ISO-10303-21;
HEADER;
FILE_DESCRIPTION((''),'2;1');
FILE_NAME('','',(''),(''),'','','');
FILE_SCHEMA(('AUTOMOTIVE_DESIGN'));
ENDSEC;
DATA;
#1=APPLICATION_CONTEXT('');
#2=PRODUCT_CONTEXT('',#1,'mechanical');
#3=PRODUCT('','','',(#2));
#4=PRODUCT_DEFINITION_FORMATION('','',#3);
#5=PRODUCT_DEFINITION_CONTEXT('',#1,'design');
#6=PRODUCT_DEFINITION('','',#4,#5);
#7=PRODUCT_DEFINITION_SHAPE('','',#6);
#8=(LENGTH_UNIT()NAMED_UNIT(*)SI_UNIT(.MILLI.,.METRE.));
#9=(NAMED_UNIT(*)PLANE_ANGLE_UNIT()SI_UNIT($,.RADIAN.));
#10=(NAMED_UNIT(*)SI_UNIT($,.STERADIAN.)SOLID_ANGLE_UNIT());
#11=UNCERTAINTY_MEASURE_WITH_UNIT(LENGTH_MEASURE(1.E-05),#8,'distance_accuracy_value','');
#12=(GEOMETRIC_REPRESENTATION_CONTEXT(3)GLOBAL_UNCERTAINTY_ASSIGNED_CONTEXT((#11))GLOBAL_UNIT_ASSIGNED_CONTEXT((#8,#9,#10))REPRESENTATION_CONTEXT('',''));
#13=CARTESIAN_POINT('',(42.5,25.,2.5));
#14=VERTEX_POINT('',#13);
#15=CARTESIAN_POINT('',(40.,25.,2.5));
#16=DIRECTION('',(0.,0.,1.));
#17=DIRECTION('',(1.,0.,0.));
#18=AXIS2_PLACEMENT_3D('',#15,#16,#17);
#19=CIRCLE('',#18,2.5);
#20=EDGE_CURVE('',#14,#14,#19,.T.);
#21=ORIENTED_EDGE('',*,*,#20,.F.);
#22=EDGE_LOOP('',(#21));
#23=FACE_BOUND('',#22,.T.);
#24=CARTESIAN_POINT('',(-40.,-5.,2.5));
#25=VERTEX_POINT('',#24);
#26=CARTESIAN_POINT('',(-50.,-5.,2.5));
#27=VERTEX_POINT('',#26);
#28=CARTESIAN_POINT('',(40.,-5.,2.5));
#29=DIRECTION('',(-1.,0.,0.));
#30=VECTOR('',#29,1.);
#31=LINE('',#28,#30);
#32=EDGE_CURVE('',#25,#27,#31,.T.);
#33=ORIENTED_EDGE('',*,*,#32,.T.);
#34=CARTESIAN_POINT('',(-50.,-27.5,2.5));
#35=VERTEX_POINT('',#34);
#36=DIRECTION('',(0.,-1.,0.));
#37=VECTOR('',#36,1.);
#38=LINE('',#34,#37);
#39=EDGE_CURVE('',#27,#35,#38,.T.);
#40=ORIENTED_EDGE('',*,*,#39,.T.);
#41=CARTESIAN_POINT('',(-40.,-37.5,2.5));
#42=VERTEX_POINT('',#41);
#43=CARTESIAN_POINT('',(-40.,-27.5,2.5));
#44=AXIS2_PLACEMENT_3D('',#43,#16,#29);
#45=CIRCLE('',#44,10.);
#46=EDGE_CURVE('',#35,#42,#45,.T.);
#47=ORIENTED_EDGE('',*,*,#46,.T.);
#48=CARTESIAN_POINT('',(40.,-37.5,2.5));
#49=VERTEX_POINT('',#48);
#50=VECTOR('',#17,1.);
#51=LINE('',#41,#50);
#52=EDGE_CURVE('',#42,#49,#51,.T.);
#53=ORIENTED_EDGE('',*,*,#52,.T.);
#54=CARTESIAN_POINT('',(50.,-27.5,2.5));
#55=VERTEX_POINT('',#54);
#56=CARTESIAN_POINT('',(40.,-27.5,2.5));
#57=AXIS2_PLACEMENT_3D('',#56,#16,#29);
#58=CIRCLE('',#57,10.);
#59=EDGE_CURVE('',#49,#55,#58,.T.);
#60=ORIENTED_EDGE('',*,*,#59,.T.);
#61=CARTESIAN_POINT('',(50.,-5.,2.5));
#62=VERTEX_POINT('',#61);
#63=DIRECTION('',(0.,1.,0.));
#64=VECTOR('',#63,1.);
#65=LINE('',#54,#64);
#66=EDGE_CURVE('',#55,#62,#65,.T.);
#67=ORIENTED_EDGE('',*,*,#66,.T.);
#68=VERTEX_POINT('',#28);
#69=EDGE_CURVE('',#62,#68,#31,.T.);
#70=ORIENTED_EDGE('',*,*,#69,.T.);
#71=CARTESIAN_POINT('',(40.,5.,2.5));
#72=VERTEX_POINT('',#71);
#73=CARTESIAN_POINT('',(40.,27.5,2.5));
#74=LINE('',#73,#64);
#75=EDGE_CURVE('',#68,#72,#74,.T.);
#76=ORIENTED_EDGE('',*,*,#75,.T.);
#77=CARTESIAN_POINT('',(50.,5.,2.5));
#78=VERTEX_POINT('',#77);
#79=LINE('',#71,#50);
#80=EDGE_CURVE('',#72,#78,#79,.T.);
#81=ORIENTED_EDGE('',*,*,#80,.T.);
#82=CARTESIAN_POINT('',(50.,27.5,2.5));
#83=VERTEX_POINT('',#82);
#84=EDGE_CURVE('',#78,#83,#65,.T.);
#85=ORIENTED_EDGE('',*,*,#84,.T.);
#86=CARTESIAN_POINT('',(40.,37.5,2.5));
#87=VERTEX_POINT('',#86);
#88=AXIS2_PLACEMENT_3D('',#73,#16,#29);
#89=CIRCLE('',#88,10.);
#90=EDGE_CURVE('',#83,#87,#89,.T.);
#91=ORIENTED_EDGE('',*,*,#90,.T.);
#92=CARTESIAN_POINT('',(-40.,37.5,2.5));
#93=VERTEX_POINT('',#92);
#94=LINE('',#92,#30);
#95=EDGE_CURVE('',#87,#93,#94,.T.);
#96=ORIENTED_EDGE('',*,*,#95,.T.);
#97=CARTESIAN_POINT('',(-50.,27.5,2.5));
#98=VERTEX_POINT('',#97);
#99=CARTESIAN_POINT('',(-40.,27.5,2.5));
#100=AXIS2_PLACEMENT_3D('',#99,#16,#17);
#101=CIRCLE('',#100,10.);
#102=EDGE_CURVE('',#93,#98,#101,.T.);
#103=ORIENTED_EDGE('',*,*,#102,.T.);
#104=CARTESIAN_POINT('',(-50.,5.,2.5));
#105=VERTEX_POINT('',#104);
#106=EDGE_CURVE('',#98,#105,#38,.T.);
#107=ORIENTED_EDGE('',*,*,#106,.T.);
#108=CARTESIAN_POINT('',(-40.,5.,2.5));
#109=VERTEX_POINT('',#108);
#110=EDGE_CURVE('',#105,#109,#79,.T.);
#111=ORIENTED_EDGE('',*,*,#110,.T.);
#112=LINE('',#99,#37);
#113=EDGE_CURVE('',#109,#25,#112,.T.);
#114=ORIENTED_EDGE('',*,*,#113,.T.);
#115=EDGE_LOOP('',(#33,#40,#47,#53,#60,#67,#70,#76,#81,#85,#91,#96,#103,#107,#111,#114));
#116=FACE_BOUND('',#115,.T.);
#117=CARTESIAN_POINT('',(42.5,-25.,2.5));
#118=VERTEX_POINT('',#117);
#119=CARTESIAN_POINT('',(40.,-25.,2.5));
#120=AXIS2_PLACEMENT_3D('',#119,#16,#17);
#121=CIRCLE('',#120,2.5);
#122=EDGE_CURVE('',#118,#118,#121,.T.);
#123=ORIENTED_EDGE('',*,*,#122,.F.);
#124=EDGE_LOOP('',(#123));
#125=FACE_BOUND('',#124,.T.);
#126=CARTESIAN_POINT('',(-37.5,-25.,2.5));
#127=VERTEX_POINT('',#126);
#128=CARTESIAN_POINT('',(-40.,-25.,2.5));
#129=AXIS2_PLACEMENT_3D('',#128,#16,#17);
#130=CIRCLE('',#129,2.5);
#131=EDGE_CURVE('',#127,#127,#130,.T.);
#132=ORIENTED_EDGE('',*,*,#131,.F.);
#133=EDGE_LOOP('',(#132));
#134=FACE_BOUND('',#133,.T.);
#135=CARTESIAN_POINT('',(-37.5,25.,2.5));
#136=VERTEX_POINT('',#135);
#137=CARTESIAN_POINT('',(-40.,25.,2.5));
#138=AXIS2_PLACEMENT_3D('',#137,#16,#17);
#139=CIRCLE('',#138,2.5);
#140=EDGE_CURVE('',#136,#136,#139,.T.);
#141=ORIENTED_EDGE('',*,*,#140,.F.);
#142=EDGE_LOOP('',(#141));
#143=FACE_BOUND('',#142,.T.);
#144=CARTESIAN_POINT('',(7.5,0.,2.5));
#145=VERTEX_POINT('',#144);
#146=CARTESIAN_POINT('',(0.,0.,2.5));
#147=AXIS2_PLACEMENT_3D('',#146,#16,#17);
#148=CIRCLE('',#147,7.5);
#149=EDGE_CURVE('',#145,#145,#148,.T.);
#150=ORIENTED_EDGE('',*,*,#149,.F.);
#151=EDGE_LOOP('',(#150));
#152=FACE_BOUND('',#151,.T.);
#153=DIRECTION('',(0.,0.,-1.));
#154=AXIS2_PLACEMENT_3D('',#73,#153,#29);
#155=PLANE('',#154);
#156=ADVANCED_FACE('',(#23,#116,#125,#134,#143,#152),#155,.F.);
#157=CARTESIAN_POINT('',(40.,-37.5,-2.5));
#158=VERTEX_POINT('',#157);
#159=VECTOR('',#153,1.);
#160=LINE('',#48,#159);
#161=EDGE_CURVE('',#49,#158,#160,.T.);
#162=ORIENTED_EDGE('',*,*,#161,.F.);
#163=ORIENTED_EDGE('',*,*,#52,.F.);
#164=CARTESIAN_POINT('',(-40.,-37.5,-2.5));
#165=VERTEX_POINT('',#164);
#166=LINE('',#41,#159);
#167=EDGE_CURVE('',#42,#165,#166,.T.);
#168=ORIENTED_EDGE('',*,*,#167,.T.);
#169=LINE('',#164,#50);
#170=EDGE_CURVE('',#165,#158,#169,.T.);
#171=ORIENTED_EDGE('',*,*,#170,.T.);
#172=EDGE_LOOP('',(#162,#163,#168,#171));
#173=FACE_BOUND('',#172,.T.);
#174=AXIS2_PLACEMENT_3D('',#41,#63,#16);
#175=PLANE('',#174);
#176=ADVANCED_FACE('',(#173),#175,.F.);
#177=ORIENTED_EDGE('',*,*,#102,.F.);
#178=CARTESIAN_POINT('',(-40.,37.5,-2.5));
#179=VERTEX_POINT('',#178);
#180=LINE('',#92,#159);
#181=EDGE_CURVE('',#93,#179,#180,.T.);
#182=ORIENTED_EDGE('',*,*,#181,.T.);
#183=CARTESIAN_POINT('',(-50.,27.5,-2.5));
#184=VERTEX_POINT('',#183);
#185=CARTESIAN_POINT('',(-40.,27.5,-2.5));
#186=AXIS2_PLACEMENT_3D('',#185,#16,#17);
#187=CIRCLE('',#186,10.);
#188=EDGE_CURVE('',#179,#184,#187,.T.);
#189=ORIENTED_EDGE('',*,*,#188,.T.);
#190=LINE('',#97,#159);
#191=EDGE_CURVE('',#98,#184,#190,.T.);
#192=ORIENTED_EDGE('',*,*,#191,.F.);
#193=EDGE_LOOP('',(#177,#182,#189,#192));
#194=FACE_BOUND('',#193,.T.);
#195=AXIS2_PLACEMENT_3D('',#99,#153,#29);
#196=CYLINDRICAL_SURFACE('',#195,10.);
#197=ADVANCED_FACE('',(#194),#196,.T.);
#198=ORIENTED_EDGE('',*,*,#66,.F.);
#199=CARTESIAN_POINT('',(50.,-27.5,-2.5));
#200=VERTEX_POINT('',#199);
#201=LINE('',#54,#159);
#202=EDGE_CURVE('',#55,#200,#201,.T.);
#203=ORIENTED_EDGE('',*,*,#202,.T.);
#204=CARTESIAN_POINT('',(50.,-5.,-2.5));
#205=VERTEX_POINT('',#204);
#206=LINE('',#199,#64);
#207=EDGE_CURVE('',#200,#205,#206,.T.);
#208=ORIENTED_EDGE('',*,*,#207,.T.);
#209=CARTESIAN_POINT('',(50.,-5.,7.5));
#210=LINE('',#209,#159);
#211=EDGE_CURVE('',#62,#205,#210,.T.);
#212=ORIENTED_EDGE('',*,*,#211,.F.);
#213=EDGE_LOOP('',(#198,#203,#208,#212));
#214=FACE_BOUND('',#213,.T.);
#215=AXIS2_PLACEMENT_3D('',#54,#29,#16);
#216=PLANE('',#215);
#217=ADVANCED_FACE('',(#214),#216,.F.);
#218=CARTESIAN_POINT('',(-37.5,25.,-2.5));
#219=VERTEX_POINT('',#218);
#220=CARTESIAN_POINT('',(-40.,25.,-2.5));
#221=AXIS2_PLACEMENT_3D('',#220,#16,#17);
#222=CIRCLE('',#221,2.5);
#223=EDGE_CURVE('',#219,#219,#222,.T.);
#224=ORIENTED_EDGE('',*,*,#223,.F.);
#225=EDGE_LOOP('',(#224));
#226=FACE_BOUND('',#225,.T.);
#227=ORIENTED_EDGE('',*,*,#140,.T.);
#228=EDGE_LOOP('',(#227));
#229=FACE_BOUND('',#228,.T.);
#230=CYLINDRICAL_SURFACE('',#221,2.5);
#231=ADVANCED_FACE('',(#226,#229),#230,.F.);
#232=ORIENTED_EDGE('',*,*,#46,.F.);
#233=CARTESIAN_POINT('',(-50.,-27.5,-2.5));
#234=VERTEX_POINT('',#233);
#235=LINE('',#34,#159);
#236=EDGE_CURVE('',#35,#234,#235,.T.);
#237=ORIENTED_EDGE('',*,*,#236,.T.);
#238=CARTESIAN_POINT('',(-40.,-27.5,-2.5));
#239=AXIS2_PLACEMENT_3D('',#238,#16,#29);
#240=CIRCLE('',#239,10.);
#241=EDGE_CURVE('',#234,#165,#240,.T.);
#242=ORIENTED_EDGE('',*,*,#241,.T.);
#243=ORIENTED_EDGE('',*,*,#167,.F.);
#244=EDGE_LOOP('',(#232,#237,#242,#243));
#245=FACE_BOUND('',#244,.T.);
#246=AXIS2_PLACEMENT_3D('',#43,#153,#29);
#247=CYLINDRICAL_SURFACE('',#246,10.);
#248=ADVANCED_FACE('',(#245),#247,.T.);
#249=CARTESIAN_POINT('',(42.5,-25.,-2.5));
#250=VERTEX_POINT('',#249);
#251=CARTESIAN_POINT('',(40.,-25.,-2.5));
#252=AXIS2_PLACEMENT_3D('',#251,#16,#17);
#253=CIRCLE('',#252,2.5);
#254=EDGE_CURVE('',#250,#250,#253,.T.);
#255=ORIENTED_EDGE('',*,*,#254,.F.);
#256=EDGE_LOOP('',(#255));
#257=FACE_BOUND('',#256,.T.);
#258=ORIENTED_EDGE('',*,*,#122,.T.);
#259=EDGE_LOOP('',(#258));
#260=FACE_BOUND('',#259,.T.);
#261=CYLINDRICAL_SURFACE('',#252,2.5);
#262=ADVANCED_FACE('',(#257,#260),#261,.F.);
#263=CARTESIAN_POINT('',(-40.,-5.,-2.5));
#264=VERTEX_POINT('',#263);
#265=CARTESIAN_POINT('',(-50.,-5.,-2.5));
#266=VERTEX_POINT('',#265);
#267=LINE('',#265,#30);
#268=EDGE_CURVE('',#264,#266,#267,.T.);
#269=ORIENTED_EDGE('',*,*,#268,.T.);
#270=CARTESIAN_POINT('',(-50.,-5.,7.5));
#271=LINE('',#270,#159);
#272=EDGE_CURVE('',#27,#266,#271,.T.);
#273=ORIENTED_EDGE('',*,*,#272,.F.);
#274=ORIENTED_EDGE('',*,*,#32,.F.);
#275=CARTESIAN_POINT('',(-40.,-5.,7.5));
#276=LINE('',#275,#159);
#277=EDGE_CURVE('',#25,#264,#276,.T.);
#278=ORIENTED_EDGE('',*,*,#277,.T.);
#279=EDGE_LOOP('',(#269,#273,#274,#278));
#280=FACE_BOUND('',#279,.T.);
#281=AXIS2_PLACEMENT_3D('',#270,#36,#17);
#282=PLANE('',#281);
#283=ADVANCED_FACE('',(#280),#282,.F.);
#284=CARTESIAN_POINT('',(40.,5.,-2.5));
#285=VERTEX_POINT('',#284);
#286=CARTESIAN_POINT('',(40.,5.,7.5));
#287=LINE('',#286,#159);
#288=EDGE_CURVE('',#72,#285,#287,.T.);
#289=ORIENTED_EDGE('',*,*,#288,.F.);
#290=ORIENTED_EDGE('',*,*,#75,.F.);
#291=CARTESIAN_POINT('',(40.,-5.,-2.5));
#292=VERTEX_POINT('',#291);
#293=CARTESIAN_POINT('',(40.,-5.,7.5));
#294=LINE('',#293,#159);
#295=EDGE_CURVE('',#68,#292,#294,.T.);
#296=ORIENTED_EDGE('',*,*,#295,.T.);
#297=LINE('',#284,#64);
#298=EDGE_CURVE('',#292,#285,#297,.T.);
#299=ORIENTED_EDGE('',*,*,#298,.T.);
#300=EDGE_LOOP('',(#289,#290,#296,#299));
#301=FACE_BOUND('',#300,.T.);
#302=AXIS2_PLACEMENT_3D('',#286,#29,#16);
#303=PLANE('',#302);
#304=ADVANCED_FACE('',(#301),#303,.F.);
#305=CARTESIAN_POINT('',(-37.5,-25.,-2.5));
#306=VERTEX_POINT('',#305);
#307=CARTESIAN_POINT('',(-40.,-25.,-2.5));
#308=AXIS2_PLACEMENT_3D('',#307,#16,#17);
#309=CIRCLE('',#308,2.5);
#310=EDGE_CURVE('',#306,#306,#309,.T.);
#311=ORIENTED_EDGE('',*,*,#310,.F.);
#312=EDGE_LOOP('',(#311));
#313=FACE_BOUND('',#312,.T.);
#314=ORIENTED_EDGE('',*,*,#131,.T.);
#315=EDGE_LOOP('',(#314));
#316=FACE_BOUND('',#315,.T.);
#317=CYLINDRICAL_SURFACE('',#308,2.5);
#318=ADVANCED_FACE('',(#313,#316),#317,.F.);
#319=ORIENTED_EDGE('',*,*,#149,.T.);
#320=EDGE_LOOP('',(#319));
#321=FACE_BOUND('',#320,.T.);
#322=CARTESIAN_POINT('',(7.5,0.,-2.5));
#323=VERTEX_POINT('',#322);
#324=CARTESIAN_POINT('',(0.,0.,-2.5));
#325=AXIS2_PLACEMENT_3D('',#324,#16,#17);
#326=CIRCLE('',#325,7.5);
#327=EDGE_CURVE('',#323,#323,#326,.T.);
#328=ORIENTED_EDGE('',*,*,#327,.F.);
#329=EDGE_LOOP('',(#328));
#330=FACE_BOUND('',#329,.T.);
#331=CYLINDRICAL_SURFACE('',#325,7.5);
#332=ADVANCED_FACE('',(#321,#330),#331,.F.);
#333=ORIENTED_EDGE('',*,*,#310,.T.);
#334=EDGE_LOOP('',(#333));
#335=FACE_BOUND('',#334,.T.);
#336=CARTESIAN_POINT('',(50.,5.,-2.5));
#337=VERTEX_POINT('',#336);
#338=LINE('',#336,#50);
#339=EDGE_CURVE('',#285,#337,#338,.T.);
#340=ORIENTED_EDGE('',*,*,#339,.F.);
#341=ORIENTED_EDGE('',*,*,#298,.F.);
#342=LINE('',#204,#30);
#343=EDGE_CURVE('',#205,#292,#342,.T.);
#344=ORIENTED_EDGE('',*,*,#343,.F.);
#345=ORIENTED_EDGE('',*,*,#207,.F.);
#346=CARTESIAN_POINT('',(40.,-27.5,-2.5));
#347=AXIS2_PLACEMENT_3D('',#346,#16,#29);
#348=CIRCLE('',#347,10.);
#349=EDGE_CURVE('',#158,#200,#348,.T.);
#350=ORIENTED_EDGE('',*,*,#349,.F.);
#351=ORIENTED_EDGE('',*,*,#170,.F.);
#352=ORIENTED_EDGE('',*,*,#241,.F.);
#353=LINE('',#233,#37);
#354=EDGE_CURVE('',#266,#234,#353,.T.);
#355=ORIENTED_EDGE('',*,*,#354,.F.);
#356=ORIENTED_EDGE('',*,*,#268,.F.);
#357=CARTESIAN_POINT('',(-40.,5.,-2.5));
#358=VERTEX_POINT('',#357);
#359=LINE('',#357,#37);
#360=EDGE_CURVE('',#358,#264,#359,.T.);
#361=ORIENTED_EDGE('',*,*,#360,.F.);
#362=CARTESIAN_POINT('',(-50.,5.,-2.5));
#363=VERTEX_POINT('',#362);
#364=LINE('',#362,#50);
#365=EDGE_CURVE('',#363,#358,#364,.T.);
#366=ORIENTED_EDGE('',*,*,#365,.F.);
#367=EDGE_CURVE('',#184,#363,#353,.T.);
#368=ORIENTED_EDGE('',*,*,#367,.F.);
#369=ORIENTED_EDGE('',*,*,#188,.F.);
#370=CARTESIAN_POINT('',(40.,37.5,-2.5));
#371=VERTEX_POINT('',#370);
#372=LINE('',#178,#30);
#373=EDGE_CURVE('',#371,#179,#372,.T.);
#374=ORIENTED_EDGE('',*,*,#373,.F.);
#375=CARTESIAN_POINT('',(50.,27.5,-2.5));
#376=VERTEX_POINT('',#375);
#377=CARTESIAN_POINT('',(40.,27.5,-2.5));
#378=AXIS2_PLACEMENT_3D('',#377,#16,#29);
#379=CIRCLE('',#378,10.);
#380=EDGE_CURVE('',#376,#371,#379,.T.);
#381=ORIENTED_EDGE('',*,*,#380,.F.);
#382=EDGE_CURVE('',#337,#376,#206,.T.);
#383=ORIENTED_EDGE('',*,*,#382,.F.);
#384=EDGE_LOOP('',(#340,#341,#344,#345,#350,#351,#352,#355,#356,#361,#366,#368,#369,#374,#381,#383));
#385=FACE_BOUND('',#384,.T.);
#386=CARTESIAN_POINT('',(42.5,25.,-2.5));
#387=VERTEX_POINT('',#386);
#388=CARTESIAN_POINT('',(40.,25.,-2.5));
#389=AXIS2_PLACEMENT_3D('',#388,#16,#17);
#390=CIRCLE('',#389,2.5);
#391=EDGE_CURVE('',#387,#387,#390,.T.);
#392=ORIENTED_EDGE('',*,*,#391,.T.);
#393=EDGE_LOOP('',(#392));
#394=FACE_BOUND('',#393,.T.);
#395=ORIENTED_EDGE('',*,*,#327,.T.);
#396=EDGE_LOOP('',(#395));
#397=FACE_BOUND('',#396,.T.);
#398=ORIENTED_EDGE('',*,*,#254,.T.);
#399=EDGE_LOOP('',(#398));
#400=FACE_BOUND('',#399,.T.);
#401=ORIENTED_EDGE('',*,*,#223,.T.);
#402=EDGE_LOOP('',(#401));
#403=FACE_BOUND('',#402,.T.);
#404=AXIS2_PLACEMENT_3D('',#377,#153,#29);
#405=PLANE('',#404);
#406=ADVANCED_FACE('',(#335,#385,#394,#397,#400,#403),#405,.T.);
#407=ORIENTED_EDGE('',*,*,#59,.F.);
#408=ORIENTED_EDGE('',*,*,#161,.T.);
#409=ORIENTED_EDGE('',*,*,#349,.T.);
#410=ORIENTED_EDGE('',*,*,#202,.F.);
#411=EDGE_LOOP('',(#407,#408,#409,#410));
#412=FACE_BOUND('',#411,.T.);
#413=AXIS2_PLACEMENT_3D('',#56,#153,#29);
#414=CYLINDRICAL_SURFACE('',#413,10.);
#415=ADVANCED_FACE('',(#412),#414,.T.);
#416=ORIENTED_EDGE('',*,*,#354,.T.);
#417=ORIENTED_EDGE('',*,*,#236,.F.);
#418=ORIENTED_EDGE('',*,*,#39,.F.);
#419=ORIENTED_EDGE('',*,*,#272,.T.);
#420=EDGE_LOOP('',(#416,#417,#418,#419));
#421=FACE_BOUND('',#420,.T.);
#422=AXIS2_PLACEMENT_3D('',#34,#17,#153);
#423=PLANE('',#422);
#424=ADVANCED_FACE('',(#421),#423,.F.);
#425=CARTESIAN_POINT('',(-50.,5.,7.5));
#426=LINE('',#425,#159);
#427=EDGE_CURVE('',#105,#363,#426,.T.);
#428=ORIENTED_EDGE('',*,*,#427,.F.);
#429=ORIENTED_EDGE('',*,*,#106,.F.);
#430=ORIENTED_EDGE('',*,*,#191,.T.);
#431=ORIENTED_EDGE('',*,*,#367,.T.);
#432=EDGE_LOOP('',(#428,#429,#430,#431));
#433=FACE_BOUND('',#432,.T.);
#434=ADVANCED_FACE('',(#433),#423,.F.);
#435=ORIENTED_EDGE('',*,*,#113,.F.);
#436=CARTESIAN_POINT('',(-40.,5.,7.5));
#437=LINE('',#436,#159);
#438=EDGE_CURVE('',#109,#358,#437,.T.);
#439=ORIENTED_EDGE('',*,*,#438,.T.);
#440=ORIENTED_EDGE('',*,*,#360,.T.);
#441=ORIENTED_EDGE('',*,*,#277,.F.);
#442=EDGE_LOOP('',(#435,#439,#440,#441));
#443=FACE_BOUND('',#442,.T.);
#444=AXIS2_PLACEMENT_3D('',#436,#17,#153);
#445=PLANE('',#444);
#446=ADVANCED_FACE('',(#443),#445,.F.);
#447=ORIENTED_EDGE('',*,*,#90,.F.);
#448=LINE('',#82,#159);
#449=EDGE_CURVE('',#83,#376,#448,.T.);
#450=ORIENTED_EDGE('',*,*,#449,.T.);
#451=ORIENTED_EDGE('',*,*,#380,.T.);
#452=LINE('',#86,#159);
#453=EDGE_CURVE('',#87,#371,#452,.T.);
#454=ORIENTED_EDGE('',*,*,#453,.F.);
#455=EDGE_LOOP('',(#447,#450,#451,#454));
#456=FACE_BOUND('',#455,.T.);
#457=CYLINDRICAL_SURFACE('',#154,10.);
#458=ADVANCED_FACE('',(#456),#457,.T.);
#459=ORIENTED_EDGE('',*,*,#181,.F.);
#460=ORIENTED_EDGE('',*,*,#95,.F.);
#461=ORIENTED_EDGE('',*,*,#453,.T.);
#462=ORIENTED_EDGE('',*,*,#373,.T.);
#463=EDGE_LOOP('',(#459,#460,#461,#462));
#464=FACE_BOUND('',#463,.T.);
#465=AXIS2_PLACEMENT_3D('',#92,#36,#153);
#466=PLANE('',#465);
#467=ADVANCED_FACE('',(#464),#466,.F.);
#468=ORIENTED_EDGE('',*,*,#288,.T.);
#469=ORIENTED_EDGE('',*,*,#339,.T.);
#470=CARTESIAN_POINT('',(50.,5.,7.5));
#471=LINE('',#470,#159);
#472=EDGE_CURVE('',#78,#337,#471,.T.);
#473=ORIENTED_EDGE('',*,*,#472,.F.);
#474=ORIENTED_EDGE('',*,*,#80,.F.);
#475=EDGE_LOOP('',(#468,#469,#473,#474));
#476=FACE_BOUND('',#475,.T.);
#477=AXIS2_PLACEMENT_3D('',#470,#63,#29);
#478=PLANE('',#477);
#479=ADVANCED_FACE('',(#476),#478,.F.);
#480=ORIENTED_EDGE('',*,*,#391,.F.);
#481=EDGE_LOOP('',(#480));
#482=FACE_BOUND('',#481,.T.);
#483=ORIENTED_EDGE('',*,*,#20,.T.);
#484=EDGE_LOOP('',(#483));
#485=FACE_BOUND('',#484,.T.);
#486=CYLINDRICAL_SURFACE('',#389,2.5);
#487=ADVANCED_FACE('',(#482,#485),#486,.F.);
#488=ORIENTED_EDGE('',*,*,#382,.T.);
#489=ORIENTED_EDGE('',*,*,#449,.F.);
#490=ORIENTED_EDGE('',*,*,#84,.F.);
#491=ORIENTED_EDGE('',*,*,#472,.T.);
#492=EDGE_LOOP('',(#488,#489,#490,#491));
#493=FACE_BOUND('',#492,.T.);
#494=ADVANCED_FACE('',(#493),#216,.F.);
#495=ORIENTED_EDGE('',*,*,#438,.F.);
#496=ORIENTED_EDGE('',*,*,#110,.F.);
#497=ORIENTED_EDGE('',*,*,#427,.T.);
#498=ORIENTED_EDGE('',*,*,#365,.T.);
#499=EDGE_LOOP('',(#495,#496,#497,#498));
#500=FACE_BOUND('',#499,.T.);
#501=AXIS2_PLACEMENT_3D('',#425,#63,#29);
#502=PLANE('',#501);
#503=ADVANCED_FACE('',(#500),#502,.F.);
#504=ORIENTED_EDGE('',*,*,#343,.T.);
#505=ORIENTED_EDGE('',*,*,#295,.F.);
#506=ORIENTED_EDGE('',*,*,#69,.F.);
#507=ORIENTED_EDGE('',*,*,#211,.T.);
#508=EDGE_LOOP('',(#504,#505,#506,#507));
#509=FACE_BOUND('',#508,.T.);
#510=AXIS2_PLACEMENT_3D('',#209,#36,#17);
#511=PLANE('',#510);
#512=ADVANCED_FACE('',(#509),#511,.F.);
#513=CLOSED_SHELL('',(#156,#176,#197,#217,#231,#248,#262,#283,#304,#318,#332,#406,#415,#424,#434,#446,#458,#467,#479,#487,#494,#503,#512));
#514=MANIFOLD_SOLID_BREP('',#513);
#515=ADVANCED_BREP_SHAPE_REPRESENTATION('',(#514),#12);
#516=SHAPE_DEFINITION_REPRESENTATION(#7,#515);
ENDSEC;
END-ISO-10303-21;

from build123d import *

# Parameters (mm, degrees)
BOSS_EXTRUDE1_DEPTH = 2.5
SKETCH2_R           = 2.5
SKETCH2_R_2         = 7.5
CUT_EXTRUDE1_DEPTH  = 63.69968102
SKETCH4_W           = 10
SKETCH4_H           = 10
CUT_EXTRUDE3_DEPTH  = 10


with BuildPart() as part:
    # Sketch1 → Boss-Extrude1 (new, symmetric)
    with BuildSketch(Plane.XY):
        with BuildLine():
            Line((-40, -37.5), (40, -37.5))
            ThreePointArc((40, -37.5), (47.071067812, -34.571067812), (50, -27.5))
            Line((50, -27.5), (50, 27.5))
            ThreePointArc((50, 27.5), (47.071067812, 34.571067812), (40, 37.5))
            Line((40, 37.5), (-40, 37.5))
            ThreePointArc((-40, 37.5), (-47.071067812, 34.571067812), (-50, 27.5))
            Line((-50, 27.5), (-50, -27.5))
            ThreePointArc((-50, -27.5), (-47.071067812, -34.571067812), (-40, -37.5))
        make_face()
    extrude(amount=BOSS_EXTRUDE1_DEPTH, both=True)

    # Sketch2 → Cut-Extrude1 (cut, through all)
    with BuildSketch(Plane.XY.offset(2.5)):
        with Locations((40, 25)):
            Circle(SKETCH2_R)
        with Locations((-40, 25)):
            Circle(SKETCH2_R)
        with Locations((-40, -25)):
            Circle(SKETCH2_R)
        with Locations((40, -25)):
            Circle(SKETCH2_R)
        Circle(SKETCH2_R_2)
    extrude(amount=-CUT_EXTRUDE1_DEPTH, mode=Mode.SUBTRACT)

    # Sketch4 → Cut-Extrude3 (cut)
    with BuildSketch(Plane(origin=(0, 0, -2.5), x_dir=(-1, 0, 0), z_dir=(0, 0, -1))):
        with Locations((45, 0)):
            Rectangle(SKETCH4_W, SKETCH4_H)
        with Locations((-45, 0)):
            Rectangle(SKETCH4_W, SKETCH4_H)
    extrude(amount=-CUT_EXTRUDE3_DEPTH, mode=Mode.SUBTRACT)


solid = part.part
